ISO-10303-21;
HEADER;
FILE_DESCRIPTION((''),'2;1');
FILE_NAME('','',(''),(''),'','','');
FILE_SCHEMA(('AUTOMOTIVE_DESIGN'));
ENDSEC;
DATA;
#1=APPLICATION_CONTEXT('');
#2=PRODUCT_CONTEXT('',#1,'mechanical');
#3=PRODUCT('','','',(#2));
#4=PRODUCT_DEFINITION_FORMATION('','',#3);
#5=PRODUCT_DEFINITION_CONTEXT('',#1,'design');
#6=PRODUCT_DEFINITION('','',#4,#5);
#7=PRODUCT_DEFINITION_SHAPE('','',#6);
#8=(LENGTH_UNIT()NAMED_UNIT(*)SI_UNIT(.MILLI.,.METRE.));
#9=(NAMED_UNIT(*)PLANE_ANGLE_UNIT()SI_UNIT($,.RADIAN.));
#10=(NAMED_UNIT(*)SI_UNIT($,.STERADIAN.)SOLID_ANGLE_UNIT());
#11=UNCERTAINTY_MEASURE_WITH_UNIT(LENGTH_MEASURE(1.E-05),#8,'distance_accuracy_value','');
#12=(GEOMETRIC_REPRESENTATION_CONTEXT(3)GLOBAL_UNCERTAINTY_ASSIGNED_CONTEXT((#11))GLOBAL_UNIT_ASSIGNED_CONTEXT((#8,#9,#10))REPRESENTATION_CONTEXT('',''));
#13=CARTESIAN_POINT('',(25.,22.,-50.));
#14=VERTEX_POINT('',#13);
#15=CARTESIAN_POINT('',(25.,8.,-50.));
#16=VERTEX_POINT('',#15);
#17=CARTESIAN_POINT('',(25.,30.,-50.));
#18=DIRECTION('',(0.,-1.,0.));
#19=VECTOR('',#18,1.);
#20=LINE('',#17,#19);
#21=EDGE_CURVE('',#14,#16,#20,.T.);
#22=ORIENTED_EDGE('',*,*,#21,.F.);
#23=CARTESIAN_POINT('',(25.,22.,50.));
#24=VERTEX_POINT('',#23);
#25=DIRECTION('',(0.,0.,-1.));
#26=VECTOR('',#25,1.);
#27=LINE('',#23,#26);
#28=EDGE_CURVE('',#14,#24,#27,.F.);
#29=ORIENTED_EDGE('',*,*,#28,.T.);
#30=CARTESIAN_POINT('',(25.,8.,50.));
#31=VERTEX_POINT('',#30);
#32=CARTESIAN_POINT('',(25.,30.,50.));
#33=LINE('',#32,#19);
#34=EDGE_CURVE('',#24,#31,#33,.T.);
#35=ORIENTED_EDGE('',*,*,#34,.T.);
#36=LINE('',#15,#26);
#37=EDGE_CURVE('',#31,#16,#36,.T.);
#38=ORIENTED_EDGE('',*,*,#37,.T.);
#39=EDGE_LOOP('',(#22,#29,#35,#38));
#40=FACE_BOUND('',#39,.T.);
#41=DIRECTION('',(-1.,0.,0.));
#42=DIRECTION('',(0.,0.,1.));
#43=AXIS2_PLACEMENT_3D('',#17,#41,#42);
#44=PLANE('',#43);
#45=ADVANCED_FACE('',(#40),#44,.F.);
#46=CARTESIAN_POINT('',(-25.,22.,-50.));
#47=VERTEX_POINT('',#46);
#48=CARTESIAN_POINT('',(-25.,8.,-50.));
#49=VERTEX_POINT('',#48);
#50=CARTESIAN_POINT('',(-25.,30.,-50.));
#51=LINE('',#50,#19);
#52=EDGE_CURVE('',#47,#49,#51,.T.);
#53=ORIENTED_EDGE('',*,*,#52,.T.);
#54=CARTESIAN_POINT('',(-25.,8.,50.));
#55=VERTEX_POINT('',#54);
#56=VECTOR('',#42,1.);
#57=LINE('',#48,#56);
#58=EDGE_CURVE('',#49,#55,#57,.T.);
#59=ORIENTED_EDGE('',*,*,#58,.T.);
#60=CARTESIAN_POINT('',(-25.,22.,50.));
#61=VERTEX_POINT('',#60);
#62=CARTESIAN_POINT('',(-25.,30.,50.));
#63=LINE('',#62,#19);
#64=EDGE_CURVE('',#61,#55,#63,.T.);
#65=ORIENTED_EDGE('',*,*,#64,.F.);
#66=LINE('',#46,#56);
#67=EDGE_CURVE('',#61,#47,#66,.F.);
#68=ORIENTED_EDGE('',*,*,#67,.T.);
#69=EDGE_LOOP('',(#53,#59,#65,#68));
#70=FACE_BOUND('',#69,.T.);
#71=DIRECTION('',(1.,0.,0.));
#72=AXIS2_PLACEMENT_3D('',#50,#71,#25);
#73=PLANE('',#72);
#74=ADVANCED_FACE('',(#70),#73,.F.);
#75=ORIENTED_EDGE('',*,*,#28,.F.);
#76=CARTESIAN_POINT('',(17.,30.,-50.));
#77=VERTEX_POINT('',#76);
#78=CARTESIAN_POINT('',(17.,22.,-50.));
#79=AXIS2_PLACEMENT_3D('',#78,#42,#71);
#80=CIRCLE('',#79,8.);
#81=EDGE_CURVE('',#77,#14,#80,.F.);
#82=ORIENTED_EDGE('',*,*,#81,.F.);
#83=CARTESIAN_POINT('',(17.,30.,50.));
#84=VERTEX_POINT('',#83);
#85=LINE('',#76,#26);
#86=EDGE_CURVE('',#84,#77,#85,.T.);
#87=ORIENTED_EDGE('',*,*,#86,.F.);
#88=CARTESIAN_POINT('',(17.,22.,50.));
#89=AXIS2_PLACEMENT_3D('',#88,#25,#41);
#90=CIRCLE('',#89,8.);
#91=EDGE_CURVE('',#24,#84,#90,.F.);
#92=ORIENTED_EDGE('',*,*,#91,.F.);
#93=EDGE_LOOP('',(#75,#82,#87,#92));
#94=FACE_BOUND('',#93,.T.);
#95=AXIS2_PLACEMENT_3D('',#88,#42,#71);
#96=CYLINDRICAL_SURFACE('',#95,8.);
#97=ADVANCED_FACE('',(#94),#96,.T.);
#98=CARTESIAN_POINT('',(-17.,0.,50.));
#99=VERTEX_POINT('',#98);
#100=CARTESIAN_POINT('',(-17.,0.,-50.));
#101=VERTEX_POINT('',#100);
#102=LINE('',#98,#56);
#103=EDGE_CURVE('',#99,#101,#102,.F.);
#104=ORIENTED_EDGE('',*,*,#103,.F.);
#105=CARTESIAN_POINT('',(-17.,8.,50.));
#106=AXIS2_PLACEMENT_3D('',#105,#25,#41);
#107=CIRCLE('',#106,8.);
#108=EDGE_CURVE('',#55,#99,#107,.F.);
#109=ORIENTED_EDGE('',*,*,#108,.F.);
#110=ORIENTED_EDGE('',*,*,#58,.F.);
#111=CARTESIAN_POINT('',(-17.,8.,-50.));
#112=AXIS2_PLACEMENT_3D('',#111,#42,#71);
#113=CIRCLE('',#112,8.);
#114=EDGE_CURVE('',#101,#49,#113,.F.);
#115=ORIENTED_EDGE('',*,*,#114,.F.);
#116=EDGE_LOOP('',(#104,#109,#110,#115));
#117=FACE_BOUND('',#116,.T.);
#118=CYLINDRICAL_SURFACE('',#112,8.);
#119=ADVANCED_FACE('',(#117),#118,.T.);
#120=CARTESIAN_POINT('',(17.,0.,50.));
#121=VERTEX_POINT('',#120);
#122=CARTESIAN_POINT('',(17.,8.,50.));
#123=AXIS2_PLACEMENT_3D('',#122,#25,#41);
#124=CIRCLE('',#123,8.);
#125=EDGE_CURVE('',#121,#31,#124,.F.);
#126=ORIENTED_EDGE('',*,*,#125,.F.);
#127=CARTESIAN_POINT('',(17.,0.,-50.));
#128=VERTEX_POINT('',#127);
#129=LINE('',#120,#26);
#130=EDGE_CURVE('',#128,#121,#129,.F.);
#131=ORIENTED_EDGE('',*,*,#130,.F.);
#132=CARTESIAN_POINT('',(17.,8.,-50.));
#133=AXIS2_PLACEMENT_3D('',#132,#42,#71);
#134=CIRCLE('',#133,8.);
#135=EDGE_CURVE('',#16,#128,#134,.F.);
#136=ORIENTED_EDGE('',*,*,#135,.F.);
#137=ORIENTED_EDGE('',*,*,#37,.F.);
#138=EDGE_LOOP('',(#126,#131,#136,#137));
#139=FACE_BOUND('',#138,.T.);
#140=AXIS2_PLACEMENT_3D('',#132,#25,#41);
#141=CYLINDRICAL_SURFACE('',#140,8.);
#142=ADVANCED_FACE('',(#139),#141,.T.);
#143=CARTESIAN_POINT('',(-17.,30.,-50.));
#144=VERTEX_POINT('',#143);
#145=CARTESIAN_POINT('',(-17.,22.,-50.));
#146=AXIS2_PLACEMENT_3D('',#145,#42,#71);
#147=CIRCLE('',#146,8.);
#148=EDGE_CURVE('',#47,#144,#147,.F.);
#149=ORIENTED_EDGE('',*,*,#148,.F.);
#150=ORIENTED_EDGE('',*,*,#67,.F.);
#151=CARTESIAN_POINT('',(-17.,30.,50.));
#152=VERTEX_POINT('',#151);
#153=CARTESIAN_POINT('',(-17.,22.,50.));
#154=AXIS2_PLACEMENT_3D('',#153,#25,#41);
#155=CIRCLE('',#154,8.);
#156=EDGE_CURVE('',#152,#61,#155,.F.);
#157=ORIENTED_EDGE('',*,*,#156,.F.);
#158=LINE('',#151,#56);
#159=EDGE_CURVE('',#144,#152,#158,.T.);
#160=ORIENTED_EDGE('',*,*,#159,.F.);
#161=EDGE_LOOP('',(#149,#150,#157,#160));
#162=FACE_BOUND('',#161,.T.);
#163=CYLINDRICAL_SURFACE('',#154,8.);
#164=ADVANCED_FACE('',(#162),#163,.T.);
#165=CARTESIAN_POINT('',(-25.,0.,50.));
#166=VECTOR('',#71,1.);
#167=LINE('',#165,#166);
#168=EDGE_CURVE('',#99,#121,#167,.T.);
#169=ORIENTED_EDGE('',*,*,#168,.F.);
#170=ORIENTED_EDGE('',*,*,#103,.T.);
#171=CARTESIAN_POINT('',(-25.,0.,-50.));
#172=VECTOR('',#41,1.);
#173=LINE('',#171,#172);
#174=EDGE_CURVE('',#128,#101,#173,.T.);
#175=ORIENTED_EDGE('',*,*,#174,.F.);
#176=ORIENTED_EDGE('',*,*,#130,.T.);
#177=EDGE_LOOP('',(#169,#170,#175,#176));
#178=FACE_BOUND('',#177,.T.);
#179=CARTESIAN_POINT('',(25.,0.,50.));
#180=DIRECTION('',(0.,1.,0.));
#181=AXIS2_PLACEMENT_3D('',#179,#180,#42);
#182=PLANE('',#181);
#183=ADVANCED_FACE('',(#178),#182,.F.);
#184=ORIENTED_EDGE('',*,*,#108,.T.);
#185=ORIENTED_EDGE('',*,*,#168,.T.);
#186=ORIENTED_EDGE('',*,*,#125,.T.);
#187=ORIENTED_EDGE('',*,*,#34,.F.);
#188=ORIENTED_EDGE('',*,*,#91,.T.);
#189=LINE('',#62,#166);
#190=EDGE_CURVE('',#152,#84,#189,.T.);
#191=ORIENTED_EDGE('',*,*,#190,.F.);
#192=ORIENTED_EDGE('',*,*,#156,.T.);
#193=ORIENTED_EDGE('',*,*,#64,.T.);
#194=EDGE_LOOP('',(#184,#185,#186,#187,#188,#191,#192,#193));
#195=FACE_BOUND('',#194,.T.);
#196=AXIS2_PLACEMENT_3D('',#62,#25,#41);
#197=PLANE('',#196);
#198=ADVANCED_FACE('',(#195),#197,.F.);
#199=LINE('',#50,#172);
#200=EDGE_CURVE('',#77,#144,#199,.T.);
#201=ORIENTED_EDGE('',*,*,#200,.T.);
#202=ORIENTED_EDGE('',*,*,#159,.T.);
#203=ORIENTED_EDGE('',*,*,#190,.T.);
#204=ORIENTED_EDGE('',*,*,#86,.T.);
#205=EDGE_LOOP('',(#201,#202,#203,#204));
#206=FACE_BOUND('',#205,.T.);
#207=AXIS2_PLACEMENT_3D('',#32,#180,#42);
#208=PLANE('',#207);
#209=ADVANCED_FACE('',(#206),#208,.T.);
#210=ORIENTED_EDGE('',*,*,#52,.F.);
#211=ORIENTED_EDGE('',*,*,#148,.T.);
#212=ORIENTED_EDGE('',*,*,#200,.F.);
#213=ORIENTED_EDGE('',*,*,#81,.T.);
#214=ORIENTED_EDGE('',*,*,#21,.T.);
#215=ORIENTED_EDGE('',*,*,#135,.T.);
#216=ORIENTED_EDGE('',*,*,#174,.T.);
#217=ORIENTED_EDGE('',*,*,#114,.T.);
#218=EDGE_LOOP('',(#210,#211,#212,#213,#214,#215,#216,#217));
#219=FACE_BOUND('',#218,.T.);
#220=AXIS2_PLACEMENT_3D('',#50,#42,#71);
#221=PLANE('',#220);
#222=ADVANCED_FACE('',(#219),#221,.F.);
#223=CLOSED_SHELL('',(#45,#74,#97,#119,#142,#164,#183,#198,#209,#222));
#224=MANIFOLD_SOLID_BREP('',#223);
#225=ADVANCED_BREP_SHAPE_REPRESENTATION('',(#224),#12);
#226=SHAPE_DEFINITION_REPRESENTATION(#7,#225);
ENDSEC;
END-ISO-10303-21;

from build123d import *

# Parameters (mm, degrees)
SKETCH_1_W      = 50
SKETCH_1_H      = 100
EXTRUDE_1_DEPTH = 30
FILLET_1_R      = 8


with BuildPart() as part:
    # 草图1 → 凸台-拉伸1 (new body)
    with BuildSketch(Plane(origin=(0, 0, 0), x_dir=(1, 0, 0), z_dir=(0, 1, 0))):
        Rectangle(SKETCH_1_W, SKETCH_1_H)
    extrude(amount=EXTRUDE_1_DEPTH)

    # 圆角1
    fillet_1_edges = [part.edges().sort_by_distance(p)[0] for p in [
        (-25, 30, 0),
        (25, 30, 0),
        (-25, 0, 0),
        (25, 0, 0),
    ]]
    fillet(fillet_1_edges, radius=FILLET_1_R)


solid = part.part
